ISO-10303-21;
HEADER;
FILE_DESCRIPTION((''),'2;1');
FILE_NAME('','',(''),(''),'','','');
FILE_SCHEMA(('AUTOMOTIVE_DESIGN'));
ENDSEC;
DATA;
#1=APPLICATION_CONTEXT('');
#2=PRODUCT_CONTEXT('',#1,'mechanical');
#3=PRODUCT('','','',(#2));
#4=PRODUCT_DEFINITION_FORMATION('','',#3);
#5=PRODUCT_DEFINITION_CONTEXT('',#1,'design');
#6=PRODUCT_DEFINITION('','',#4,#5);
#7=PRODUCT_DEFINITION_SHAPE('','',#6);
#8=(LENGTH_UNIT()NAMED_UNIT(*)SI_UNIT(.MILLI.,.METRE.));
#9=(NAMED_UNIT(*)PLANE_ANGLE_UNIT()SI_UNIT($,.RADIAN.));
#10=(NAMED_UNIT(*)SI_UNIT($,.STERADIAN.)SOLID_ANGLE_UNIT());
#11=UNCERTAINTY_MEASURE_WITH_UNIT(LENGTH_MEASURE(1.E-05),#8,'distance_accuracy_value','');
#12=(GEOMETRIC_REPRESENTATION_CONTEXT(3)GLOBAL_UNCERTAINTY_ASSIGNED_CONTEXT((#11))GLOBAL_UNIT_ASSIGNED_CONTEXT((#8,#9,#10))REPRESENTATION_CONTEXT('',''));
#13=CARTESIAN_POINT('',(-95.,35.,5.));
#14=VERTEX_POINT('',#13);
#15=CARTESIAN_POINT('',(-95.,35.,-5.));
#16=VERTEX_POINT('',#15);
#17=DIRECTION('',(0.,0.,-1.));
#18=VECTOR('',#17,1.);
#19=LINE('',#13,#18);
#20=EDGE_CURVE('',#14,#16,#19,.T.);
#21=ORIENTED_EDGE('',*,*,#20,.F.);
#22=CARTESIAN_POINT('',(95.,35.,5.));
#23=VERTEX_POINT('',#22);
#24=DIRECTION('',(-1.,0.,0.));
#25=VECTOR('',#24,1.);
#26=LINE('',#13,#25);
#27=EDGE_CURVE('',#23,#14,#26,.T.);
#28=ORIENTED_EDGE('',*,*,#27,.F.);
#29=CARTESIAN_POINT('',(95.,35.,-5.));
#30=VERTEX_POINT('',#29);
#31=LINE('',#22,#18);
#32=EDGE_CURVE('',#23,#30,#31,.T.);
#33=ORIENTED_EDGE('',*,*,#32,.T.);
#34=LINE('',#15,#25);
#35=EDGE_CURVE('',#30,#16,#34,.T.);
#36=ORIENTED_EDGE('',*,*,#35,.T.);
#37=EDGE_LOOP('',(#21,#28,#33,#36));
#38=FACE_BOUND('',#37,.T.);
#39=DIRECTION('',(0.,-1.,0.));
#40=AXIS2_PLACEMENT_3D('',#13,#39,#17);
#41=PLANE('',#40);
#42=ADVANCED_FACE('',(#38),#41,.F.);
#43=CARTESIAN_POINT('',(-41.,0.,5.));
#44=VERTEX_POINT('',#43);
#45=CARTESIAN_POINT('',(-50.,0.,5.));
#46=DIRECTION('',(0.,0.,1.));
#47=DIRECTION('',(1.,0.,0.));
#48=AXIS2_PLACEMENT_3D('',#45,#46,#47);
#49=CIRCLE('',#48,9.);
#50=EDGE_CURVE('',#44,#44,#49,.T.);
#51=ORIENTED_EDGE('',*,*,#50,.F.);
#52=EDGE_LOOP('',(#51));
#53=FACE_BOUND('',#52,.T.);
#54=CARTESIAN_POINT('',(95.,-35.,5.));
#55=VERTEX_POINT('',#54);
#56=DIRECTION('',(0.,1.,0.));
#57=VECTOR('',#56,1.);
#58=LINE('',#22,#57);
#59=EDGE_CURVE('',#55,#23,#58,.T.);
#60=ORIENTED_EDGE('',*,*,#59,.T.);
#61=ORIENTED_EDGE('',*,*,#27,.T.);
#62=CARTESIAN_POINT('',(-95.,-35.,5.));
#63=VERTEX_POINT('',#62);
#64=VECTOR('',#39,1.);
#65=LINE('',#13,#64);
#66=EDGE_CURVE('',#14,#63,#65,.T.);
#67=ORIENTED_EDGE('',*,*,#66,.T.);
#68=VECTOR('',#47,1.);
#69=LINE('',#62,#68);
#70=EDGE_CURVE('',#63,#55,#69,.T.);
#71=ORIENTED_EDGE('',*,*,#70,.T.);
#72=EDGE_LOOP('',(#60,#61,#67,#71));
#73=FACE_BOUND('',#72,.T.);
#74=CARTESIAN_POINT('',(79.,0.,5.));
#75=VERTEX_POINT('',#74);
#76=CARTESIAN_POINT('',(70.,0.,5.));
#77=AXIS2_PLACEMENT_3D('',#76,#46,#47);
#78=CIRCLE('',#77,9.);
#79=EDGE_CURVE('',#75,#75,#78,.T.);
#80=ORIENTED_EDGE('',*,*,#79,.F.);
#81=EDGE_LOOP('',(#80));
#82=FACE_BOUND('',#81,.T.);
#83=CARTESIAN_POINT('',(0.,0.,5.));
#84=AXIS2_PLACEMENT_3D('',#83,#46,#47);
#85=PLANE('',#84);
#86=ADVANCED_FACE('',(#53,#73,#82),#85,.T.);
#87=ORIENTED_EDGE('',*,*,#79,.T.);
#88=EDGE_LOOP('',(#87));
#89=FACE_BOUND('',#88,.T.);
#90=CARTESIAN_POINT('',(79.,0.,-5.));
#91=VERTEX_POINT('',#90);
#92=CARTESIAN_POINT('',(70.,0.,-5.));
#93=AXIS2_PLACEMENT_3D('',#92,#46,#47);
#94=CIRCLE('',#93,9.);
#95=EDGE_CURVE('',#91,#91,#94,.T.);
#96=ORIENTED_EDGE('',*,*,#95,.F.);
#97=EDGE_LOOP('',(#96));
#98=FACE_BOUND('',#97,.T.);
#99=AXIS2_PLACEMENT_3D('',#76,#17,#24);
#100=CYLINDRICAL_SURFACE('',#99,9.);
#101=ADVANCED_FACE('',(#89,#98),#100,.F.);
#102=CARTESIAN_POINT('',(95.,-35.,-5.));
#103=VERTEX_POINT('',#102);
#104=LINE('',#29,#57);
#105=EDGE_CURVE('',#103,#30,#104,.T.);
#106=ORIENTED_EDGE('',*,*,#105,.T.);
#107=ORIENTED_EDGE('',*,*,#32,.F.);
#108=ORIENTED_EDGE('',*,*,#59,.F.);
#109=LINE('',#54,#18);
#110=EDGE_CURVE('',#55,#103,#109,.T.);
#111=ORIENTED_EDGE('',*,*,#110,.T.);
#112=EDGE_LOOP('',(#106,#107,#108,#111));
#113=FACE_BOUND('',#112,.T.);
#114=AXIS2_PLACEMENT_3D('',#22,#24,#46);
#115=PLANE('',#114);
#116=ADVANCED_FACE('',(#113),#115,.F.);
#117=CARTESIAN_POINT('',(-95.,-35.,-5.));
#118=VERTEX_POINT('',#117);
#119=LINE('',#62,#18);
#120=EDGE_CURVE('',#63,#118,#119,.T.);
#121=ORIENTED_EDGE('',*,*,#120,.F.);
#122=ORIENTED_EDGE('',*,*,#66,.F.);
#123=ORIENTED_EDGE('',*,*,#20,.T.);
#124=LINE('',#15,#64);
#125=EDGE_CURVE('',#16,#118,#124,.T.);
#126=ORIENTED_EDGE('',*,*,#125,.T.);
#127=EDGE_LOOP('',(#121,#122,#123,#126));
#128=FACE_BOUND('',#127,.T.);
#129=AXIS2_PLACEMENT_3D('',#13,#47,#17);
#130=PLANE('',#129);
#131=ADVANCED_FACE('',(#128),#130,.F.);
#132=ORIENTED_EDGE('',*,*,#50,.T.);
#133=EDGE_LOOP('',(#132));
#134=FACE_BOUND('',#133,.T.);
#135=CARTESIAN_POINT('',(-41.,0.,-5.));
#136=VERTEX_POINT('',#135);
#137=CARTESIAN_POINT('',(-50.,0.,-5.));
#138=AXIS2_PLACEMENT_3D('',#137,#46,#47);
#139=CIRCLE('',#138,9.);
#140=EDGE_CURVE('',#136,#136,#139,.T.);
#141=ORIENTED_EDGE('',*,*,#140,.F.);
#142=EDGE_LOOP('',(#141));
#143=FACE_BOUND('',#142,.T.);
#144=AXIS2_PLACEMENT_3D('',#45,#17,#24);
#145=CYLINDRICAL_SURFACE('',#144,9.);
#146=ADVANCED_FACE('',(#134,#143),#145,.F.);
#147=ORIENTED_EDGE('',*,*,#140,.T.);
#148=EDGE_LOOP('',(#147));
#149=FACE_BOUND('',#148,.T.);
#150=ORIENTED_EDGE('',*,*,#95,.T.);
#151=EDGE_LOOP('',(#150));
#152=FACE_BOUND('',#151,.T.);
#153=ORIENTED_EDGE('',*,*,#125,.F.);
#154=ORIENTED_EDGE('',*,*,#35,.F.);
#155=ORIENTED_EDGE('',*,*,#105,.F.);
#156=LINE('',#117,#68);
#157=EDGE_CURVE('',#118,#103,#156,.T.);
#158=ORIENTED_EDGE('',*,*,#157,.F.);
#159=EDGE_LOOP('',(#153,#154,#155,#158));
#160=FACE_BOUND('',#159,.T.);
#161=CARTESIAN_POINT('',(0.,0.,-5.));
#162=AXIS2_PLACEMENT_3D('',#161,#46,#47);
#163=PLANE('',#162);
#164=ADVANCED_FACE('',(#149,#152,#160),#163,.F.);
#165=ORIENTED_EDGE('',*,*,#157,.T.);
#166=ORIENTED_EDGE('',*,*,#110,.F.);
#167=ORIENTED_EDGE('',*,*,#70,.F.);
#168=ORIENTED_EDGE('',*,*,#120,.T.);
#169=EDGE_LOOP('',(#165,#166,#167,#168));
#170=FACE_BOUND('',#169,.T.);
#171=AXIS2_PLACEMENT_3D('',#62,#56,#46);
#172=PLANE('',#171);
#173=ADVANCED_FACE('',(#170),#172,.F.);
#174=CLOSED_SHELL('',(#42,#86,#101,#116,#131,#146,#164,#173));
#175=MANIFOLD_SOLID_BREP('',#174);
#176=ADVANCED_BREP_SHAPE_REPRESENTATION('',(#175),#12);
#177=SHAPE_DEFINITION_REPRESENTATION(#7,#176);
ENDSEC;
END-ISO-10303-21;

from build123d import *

# Parameters (mm, degrees)
SKETCH1_W           = 190
SKETCH1_H           = 70
SKETCH1_R           = 9
BOSS_EXTRUDE1_DEPTH = 5


with BuildPart() as part:
    # Sketch1 → Boss-Extrude1 (new, symmetric)
    with BuildSketch(Plane.XY):
        Rectangle(SKETCH1_W, SKETCH1_H)
        with Locations((70, 0)):
            Circle(SKETCH1_R, mode=Mode.SUBTRACT)
        with Locations((-50, 0)):
            Circle(SKETCH1_R, mode=Mode.SUBTRACT)
    extrude(amount=BOSS_EXTRUDE1_DEPTH, both=True)


solid = part.part
